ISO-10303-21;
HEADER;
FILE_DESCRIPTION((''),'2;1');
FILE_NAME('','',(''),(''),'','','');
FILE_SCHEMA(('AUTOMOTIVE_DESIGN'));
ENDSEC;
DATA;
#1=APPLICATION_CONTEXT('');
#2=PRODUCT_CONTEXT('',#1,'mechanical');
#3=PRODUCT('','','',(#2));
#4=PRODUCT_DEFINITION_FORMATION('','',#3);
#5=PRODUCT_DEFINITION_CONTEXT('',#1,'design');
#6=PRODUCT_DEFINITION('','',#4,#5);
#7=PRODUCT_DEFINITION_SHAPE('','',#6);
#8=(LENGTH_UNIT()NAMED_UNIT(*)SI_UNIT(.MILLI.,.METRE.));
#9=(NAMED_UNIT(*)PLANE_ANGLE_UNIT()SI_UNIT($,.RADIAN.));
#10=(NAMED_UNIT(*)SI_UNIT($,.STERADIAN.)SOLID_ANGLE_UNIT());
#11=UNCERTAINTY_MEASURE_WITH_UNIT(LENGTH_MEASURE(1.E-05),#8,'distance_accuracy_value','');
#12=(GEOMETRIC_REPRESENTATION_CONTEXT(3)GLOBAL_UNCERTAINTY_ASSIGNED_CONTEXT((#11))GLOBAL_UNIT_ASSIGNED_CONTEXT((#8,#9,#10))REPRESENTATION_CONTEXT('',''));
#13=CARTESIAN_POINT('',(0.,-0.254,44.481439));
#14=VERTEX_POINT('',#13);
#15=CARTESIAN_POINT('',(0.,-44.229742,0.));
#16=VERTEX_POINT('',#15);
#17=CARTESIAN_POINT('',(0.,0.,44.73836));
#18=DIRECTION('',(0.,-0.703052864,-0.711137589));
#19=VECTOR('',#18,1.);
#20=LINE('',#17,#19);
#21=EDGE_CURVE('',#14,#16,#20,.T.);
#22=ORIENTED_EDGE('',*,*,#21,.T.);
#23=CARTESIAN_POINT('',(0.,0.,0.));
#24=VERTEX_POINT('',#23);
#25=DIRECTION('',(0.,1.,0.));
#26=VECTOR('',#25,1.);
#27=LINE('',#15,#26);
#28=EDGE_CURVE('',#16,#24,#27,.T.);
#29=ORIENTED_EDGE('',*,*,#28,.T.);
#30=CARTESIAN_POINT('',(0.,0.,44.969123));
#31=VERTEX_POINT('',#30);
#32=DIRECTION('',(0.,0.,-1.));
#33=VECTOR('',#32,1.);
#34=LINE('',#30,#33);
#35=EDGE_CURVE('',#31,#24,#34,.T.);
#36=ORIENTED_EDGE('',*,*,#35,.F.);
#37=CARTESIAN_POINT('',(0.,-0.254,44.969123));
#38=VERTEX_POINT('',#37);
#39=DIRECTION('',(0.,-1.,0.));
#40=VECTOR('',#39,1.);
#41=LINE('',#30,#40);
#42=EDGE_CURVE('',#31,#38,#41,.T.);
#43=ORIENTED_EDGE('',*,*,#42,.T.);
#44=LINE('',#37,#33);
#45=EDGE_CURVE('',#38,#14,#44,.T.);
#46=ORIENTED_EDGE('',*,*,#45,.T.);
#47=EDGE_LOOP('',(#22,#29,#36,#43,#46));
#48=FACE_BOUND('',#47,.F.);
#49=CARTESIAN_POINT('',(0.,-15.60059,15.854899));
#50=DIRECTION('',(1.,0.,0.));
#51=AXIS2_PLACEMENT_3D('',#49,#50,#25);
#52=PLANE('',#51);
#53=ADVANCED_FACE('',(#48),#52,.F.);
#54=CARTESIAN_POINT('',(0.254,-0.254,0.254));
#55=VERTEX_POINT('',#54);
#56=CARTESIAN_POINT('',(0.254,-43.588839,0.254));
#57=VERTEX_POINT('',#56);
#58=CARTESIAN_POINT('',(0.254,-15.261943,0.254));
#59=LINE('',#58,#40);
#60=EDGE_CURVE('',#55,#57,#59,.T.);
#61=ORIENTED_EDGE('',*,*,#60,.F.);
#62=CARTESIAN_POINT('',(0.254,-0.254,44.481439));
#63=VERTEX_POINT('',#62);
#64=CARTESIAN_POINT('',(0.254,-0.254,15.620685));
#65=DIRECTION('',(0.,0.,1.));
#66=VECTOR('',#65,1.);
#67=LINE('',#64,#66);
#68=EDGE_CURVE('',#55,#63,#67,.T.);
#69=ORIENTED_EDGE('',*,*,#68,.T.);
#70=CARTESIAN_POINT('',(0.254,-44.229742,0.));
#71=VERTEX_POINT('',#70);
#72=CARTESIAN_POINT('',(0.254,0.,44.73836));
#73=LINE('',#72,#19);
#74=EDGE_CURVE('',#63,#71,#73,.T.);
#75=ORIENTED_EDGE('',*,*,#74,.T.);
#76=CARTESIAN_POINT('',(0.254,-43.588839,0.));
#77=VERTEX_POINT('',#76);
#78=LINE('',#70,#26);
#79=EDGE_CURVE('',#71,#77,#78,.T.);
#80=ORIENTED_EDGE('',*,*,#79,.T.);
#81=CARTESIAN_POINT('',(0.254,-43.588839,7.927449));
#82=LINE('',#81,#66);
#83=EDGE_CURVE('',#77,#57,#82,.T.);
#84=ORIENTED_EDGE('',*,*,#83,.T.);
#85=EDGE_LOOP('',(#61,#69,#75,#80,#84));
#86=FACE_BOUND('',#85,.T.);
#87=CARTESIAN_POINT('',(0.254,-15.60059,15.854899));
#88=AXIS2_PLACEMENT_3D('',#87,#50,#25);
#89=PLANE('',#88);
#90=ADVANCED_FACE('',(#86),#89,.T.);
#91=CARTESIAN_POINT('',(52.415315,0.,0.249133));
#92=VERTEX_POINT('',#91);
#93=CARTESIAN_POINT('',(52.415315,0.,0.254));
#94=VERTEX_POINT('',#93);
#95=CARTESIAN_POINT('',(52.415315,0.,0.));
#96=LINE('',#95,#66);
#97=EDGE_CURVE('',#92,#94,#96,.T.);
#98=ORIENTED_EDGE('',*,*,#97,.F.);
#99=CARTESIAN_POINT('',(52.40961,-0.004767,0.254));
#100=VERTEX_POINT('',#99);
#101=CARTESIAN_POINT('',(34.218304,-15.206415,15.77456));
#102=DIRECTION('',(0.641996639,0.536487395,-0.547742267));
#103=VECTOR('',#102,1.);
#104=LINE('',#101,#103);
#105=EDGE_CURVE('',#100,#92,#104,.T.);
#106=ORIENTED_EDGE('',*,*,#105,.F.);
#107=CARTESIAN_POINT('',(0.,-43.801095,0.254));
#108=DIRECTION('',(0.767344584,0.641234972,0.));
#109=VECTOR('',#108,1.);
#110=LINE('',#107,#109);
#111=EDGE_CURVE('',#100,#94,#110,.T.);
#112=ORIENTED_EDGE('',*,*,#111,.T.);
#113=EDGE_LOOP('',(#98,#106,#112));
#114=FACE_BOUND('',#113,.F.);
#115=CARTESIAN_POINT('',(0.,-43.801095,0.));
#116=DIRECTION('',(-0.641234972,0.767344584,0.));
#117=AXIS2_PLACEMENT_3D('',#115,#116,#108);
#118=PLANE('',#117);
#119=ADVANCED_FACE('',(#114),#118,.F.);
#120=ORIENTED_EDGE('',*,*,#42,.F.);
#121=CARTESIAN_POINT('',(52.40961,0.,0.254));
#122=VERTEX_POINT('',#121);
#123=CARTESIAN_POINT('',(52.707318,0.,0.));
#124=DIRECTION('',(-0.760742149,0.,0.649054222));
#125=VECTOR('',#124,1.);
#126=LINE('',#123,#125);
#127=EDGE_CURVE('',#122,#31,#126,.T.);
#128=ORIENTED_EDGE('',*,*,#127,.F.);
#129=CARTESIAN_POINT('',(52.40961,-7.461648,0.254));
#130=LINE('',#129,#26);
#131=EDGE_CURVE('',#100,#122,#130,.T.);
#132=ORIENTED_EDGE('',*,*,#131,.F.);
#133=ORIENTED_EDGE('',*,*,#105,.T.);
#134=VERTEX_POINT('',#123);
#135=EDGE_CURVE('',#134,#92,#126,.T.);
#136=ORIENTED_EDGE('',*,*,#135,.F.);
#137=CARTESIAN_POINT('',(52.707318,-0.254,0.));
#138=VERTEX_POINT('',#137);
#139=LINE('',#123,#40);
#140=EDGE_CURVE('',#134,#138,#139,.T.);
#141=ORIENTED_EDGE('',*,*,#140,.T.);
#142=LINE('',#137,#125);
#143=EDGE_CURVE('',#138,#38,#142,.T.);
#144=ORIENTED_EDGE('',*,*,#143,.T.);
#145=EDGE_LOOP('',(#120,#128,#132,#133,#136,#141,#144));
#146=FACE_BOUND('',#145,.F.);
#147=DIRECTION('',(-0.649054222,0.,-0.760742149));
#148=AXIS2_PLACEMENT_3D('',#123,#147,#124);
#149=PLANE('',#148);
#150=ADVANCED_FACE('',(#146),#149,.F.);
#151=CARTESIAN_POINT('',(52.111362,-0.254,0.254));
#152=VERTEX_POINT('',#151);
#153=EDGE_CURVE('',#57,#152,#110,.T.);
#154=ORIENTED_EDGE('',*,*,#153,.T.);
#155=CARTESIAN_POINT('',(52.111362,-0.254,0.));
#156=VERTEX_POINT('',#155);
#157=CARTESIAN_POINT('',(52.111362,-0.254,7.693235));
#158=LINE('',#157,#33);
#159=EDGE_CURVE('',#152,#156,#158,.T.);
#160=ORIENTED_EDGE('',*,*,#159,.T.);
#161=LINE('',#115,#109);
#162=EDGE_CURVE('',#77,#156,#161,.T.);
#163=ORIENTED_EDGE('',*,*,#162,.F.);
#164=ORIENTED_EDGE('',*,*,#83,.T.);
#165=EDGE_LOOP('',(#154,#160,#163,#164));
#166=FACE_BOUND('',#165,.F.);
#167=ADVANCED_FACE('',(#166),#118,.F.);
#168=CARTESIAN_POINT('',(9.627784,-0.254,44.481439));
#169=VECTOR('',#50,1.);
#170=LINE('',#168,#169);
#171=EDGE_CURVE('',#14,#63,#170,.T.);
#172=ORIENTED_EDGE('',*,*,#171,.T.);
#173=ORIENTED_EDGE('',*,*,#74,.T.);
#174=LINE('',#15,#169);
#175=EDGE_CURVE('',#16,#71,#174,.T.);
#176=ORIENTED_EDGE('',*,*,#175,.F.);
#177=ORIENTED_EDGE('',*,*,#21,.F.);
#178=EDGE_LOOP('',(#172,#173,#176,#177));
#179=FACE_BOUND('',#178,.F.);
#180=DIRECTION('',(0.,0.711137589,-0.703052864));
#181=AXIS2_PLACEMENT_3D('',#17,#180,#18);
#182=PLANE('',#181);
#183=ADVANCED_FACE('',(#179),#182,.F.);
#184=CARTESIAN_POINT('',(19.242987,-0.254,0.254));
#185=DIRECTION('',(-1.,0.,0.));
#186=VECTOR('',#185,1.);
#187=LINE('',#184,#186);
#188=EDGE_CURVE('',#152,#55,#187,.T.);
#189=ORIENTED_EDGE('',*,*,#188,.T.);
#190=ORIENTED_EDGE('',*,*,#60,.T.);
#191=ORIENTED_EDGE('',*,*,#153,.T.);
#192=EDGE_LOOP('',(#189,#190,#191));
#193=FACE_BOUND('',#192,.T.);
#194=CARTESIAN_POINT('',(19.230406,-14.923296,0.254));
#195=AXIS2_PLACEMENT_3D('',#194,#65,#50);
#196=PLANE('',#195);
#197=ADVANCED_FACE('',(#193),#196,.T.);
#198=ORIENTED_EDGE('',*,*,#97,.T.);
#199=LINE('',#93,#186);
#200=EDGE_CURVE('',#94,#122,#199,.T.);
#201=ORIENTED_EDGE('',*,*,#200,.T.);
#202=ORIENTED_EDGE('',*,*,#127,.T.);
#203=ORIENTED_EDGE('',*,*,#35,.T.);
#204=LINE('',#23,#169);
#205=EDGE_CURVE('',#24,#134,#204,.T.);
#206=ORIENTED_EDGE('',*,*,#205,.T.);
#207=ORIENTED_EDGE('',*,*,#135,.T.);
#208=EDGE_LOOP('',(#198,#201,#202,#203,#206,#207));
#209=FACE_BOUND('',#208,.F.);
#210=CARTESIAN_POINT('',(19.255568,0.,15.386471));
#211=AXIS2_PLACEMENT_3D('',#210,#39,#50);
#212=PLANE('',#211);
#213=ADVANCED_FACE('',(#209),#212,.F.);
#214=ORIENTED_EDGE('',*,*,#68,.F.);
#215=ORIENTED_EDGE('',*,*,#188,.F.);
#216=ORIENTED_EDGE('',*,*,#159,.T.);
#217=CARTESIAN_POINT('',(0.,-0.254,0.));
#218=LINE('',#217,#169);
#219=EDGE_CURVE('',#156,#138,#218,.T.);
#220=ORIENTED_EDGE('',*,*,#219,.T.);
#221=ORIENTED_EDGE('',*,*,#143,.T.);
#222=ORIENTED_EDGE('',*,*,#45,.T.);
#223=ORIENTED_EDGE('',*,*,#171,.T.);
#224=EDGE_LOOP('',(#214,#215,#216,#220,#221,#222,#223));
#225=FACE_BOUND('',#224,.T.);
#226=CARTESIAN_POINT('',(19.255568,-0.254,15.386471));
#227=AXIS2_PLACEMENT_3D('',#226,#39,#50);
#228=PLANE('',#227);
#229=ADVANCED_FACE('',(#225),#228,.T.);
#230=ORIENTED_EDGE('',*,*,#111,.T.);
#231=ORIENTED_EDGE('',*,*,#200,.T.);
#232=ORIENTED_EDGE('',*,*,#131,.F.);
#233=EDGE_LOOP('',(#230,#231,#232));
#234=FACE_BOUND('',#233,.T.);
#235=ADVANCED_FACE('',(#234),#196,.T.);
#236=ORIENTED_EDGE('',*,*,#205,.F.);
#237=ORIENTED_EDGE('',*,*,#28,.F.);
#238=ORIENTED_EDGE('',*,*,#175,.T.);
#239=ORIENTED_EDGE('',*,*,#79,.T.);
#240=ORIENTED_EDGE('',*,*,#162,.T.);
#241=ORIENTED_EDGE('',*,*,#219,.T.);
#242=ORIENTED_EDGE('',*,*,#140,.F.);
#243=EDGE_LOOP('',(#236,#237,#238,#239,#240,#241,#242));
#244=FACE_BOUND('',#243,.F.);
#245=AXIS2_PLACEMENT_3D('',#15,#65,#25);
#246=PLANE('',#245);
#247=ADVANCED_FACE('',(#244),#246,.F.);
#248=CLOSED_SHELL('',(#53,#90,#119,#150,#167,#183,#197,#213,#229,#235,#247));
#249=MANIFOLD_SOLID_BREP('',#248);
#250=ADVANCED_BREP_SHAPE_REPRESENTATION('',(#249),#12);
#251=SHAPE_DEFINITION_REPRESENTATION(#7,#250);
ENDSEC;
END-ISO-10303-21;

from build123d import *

# Parameters (mm, degrees)
F1_DEPTH = 0.254
F3_DEPTH = 0.254
F5_DEPTH = 0.254


with BuildPart() as f1:
    # F0 (on Front) → F1 (new body)
    with BuildSketch(Plane.XZ):
        Polygon((0, 44.969123), (0, 0), (52.707318, 0), align=None)
    extrude(amount=F1_DEPTH)

    # F2 (on Right) → F3 (join)
    with BuildSketch(Plane.YZ):
        Polygon((-44.229742, 0), (0, 0), (0, 44.73836), align=None)
    extrude(amount=F3_DEPTH)

    # F4 (on Top) → F5 (join)
    with BuildSketch(Plane.XY):
        Polygon((0, 0), (0, -43.801095), (52.415315, 0), align=None)
    extrude(amount=F5_DEPTH)


solid = f1.part
